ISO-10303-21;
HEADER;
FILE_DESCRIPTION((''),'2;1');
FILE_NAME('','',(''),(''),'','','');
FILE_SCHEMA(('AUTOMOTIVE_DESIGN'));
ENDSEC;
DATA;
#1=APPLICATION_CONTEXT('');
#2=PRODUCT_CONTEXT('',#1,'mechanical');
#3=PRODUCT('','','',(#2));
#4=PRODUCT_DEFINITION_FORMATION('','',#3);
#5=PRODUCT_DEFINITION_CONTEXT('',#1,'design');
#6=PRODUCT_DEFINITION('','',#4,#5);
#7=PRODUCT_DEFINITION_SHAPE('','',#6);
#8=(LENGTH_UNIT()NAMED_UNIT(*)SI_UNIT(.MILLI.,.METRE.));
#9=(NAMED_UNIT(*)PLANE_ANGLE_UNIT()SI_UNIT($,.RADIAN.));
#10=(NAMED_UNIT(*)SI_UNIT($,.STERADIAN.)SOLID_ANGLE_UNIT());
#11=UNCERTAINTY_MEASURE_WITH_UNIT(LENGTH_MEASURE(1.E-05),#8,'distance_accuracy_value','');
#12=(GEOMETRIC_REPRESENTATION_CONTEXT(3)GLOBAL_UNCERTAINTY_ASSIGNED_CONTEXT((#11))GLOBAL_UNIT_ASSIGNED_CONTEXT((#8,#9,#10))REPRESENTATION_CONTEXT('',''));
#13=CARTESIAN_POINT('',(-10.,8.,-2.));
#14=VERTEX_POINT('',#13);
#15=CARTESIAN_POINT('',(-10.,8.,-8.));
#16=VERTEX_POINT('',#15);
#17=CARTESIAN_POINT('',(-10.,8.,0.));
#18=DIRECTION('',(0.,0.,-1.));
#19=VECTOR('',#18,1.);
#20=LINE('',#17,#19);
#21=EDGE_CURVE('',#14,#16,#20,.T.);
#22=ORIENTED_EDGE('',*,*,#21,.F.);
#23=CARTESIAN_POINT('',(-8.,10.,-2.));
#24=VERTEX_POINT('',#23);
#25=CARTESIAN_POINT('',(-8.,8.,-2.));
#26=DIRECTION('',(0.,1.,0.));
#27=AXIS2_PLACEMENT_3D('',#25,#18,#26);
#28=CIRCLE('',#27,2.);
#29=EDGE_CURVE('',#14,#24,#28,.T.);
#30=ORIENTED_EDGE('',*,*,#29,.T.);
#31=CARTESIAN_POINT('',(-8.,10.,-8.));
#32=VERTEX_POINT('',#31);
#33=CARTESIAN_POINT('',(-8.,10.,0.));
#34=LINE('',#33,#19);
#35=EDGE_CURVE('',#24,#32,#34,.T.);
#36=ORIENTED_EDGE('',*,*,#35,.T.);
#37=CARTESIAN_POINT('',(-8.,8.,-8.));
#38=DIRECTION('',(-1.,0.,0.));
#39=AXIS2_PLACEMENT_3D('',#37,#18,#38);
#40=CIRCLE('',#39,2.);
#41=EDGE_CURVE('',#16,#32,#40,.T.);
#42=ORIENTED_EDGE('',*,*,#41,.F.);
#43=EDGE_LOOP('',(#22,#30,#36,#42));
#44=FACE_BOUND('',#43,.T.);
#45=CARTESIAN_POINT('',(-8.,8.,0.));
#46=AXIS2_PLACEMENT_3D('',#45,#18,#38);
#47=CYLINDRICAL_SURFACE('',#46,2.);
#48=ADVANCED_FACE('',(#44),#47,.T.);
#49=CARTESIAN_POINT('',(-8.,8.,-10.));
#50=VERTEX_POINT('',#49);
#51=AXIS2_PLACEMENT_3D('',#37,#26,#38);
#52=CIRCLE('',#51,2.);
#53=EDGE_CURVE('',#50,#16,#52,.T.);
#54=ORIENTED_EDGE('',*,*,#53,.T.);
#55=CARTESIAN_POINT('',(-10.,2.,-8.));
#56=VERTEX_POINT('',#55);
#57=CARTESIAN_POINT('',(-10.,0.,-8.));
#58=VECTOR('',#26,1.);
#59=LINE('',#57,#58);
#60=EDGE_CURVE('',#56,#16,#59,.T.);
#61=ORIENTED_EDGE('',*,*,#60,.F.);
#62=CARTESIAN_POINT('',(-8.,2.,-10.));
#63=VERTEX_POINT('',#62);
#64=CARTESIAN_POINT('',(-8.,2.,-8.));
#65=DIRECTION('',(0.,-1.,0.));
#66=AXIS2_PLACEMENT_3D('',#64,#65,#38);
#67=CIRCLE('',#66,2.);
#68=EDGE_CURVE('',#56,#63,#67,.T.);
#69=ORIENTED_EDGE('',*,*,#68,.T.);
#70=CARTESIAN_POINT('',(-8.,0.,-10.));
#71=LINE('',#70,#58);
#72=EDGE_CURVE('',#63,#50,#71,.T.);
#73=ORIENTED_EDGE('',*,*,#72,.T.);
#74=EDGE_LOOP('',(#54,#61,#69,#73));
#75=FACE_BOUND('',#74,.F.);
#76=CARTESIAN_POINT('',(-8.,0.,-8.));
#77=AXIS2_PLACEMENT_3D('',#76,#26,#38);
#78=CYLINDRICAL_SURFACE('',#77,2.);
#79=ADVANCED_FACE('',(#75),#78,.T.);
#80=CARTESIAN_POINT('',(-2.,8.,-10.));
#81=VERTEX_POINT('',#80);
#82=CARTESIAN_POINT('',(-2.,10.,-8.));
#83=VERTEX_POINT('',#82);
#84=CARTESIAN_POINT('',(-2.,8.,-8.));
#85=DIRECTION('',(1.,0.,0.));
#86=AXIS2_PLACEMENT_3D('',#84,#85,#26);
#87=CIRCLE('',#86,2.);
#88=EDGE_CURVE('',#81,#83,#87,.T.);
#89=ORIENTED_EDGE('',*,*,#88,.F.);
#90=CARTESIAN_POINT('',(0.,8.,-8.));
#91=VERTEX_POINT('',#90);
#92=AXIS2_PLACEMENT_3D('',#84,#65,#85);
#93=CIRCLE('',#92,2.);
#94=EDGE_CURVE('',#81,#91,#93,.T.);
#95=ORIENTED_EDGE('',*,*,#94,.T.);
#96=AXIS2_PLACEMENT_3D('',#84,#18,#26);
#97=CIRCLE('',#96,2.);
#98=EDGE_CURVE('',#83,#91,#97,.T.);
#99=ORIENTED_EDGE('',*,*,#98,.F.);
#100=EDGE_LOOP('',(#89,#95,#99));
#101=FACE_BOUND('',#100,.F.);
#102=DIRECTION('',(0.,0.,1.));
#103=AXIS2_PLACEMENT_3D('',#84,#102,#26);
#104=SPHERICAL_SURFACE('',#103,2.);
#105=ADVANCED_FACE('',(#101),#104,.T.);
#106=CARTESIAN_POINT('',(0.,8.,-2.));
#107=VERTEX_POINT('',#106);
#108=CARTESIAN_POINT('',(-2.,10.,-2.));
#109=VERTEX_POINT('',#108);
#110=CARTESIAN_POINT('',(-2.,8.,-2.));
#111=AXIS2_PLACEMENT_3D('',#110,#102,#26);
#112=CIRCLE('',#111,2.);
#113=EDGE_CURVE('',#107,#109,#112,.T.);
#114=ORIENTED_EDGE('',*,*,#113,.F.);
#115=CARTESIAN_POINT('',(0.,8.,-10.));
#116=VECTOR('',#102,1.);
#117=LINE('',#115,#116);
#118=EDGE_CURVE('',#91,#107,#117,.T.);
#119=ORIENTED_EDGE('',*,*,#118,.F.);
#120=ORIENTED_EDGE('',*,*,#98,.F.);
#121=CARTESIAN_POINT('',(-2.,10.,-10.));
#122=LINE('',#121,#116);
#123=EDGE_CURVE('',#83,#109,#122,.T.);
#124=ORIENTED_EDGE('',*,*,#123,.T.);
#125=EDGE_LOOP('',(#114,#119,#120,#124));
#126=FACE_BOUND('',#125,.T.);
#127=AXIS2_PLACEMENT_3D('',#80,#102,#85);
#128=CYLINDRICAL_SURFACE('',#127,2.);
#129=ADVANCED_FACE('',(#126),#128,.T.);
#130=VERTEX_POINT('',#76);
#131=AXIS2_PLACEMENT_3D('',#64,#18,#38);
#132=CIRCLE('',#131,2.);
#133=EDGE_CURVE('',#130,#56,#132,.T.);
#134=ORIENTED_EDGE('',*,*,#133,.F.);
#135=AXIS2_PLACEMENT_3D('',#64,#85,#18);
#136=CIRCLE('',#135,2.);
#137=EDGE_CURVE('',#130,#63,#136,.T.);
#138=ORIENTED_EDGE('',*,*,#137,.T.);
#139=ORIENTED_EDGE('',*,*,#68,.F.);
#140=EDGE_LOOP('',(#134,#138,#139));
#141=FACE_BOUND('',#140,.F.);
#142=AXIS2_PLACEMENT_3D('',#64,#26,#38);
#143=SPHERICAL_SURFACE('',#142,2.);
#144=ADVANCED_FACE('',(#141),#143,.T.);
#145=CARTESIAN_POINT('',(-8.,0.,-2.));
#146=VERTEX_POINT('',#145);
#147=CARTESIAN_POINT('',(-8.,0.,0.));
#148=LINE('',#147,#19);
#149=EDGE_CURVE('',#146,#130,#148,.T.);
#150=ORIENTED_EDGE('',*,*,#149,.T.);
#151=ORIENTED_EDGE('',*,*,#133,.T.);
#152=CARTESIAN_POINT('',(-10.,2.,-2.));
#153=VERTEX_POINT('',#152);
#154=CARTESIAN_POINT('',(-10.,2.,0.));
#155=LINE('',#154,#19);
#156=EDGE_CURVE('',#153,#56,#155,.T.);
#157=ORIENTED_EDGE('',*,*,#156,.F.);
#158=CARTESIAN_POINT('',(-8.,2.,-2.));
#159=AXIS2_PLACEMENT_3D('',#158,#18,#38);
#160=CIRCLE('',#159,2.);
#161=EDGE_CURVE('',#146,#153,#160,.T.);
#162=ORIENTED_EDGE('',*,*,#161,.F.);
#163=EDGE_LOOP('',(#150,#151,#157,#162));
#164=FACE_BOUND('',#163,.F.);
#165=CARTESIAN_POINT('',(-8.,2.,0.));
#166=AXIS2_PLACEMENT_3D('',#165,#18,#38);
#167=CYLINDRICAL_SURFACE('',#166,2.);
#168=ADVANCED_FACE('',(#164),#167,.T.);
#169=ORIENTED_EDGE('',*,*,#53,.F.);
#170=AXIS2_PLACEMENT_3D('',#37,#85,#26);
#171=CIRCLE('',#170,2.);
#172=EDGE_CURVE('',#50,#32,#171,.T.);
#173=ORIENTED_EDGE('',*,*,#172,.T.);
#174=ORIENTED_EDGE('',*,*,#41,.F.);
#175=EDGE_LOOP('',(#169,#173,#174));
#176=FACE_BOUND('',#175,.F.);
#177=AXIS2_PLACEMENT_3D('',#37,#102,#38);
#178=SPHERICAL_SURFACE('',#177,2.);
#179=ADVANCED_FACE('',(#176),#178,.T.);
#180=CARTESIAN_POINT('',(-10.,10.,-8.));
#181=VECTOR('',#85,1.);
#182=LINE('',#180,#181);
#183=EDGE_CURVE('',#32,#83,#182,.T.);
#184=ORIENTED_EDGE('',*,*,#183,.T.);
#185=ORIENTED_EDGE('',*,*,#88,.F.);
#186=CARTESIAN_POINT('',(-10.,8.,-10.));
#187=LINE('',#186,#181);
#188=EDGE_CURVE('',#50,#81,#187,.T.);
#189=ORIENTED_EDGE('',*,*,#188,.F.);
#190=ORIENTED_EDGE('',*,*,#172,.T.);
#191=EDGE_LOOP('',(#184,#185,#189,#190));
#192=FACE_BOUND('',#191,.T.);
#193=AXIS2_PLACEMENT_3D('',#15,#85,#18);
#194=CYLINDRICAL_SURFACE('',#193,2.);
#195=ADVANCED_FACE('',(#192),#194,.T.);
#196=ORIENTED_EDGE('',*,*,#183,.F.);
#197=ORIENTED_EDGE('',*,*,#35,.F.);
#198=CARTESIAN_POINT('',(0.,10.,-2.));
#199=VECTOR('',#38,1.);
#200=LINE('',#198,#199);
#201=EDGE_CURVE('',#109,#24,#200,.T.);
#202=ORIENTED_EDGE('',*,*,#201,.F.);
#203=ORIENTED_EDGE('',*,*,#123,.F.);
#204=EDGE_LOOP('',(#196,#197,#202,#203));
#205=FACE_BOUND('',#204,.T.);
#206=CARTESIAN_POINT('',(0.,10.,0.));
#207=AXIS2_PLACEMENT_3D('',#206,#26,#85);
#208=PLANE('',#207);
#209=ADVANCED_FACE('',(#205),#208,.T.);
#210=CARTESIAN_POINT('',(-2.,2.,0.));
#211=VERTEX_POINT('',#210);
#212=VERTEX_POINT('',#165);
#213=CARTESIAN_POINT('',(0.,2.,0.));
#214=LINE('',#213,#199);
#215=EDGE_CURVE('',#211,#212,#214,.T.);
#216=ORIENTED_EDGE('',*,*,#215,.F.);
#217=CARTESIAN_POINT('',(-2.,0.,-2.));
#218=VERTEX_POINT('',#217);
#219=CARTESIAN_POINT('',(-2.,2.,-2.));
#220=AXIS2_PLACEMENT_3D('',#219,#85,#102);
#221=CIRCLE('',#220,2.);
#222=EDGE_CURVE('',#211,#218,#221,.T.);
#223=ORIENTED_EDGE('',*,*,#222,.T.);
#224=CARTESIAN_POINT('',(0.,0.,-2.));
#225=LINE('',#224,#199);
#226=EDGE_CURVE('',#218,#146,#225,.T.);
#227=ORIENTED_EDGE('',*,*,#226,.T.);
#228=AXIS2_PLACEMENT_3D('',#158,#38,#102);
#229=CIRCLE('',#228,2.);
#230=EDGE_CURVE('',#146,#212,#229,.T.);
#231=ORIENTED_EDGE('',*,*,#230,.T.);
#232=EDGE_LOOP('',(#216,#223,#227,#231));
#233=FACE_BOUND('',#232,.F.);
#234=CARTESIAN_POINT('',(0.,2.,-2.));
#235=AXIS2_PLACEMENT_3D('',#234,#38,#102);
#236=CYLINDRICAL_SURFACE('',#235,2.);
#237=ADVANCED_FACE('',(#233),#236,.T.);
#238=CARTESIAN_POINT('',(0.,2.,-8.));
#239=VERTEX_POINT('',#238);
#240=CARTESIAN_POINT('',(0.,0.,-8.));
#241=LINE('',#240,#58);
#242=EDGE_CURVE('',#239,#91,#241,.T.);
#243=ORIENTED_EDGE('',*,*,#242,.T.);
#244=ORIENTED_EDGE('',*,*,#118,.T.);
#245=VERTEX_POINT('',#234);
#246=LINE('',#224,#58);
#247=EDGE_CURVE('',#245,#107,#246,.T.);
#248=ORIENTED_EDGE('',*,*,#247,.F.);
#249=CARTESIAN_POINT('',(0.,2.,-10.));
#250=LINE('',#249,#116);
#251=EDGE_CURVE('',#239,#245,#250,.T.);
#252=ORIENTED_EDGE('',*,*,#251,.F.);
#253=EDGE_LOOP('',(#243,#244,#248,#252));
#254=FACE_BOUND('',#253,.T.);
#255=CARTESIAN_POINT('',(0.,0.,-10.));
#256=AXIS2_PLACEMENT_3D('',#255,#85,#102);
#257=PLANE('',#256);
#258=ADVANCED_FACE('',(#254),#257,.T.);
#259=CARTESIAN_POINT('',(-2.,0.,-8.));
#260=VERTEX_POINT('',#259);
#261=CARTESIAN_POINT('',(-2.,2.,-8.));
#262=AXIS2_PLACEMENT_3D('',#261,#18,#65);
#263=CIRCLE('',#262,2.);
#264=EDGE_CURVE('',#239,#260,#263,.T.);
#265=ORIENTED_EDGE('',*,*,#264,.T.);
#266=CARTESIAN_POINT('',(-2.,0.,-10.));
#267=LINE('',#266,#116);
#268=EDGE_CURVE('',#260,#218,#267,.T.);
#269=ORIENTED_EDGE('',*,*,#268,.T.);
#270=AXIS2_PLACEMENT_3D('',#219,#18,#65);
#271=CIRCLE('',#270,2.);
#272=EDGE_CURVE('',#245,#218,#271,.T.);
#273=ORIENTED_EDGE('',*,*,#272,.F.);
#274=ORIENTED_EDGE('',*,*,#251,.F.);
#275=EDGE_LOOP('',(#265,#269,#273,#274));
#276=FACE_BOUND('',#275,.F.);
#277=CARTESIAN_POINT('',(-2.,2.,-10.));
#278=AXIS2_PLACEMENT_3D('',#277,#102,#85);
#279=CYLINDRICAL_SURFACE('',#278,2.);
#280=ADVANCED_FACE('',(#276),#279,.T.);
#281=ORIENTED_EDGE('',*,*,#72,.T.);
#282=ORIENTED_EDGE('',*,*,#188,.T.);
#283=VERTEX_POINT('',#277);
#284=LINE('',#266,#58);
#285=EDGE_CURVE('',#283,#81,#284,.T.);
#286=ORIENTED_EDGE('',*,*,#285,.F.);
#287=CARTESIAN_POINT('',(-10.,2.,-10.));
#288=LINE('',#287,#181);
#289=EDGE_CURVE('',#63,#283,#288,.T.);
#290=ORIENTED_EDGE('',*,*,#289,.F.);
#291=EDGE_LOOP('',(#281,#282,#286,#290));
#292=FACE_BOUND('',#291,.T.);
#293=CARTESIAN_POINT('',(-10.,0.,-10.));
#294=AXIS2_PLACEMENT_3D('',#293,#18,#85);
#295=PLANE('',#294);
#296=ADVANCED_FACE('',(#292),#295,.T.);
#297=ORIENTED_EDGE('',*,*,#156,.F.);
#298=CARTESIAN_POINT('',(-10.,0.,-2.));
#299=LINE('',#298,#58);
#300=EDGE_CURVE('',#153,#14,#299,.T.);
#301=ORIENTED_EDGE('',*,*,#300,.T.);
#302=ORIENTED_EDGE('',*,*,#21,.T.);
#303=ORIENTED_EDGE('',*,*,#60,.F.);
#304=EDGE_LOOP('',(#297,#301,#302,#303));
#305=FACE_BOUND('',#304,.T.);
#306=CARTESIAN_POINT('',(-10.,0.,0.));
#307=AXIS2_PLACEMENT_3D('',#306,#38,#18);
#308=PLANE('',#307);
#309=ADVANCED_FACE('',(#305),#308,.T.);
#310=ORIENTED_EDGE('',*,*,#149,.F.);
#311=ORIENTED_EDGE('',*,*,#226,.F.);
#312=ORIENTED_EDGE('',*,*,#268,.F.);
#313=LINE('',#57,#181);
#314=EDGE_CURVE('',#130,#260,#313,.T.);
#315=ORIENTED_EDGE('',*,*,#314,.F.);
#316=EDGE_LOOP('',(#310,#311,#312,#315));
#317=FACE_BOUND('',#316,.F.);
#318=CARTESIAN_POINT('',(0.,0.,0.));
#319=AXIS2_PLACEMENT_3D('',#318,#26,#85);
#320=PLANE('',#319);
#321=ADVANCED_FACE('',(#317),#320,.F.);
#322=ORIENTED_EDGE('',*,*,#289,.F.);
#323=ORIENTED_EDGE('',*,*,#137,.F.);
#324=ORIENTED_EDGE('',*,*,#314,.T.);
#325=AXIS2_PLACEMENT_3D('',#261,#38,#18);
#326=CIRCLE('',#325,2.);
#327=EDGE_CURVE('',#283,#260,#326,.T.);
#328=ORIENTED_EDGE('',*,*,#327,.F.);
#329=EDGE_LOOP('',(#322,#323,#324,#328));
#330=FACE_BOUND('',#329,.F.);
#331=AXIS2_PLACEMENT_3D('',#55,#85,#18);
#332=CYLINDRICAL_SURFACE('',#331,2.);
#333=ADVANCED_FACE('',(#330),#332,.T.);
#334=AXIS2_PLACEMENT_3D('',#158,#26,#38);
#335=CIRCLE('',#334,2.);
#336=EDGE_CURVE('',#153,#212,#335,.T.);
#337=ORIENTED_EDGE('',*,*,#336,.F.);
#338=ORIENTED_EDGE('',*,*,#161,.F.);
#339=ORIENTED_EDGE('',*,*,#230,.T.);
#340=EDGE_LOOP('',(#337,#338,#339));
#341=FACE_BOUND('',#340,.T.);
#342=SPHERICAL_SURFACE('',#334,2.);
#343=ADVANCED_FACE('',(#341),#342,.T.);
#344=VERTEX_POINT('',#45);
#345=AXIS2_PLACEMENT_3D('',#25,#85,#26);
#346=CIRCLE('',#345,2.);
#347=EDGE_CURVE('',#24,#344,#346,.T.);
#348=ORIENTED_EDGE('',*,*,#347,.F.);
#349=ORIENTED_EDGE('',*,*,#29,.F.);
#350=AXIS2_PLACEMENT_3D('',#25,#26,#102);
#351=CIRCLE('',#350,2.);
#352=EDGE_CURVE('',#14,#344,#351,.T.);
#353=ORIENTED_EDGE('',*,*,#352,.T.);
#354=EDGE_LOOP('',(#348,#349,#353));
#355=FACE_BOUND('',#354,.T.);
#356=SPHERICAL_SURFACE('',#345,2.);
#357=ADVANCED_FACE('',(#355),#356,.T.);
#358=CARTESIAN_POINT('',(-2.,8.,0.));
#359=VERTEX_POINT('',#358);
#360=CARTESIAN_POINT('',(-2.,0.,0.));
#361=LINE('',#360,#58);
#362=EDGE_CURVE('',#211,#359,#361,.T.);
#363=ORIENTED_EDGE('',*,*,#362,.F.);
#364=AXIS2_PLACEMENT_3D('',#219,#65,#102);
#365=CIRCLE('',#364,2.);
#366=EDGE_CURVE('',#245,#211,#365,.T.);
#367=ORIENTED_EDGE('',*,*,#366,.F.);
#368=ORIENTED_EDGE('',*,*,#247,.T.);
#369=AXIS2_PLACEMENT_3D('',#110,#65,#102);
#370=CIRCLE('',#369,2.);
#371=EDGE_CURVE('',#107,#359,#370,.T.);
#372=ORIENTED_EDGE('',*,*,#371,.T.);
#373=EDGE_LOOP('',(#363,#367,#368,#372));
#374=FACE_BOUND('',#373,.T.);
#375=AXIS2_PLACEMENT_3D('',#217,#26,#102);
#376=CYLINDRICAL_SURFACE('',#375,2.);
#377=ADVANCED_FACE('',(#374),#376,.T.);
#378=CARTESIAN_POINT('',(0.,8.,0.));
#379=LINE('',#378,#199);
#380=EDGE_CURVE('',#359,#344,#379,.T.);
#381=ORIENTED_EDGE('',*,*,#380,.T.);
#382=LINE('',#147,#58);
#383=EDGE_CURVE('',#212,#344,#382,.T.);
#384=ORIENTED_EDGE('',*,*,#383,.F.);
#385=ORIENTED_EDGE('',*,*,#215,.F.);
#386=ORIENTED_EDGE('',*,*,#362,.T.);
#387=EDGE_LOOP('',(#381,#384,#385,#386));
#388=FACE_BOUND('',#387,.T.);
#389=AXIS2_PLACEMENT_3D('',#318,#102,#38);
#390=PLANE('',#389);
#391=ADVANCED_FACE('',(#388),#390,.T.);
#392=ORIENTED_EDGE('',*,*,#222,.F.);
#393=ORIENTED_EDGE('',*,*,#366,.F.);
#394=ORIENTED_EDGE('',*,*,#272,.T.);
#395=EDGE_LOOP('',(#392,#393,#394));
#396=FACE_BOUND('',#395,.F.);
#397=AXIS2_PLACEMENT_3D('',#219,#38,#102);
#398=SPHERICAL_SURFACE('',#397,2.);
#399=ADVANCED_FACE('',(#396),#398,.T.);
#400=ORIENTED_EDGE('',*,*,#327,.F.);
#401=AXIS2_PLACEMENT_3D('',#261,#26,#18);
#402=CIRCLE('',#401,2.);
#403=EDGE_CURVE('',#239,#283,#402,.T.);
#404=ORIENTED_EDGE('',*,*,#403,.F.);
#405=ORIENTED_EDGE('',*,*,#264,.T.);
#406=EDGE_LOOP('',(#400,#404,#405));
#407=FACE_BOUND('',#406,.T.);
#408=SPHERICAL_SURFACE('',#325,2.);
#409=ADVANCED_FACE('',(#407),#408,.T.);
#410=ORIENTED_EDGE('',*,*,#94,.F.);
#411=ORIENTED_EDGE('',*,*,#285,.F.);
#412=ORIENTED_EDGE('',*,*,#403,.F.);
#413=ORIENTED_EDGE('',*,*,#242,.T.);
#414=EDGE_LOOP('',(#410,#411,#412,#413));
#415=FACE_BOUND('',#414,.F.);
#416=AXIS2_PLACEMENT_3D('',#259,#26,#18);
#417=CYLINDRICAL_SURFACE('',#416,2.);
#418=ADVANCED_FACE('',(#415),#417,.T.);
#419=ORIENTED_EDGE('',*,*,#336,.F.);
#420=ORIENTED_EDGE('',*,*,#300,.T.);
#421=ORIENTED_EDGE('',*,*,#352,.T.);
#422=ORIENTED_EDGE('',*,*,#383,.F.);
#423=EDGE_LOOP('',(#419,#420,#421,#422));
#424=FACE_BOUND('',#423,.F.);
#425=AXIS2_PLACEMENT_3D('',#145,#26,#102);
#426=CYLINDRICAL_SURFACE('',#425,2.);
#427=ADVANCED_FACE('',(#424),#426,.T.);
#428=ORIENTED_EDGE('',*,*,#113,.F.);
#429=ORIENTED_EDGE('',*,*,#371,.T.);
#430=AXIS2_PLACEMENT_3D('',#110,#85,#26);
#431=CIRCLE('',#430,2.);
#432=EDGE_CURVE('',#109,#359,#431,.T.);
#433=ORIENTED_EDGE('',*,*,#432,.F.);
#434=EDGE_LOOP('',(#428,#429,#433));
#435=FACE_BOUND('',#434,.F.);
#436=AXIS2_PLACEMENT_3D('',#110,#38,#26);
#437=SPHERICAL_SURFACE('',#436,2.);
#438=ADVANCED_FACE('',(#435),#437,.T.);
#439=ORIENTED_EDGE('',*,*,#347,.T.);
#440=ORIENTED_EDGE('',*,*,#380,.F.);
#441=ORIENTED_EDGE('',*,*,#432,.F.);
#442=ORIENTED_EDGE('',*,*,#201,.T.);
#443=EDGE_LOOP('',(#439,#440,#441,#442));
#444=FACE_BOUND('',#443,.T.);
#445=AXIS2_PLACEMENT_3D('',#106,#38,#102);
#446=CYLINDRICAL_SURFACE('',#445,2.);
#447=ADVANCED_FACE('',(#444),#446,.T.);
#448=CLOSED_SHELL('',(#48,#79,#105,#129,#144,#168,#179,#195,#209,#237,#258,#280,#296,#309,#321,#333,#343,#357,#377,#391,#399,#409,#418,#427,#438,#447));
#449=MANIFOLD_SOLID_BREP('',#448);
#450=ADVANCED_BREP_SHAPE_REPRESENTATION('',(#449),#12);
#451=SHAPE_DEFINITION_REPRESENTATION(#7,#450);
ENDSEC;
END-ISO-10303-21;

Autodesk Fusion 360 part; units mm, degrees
sketch "Schizzo1" plane through (0, 0, 0) normal (0, 1, 0) x (1, 0, 0)
  line L0 (0, 0) -> (-10, 0)
  line L1 (-10, 0) -> (-10, 10)
  line L2 (-10, 10) -> (0, 10)
  line L3 (0, 10) -> (0, 0)
  dimension "d1" = 10
  dimension "d2" = 10
extrude "Estrusione1" add sketch "Schizzo1" along normal blind 10
fillet "Fillet1" radius 2 12 edges at (-5, 10, 0) (-10, 10, -5) (-10, 5, 0) (-10, 5, -10) (-10, 0, -5) (-5, 0, 0) (0, 10, -5) (0, 5, 0) (-5, 0, -10) (-5, 10, -10) (0, 5, -10) (0, 0, -5)
